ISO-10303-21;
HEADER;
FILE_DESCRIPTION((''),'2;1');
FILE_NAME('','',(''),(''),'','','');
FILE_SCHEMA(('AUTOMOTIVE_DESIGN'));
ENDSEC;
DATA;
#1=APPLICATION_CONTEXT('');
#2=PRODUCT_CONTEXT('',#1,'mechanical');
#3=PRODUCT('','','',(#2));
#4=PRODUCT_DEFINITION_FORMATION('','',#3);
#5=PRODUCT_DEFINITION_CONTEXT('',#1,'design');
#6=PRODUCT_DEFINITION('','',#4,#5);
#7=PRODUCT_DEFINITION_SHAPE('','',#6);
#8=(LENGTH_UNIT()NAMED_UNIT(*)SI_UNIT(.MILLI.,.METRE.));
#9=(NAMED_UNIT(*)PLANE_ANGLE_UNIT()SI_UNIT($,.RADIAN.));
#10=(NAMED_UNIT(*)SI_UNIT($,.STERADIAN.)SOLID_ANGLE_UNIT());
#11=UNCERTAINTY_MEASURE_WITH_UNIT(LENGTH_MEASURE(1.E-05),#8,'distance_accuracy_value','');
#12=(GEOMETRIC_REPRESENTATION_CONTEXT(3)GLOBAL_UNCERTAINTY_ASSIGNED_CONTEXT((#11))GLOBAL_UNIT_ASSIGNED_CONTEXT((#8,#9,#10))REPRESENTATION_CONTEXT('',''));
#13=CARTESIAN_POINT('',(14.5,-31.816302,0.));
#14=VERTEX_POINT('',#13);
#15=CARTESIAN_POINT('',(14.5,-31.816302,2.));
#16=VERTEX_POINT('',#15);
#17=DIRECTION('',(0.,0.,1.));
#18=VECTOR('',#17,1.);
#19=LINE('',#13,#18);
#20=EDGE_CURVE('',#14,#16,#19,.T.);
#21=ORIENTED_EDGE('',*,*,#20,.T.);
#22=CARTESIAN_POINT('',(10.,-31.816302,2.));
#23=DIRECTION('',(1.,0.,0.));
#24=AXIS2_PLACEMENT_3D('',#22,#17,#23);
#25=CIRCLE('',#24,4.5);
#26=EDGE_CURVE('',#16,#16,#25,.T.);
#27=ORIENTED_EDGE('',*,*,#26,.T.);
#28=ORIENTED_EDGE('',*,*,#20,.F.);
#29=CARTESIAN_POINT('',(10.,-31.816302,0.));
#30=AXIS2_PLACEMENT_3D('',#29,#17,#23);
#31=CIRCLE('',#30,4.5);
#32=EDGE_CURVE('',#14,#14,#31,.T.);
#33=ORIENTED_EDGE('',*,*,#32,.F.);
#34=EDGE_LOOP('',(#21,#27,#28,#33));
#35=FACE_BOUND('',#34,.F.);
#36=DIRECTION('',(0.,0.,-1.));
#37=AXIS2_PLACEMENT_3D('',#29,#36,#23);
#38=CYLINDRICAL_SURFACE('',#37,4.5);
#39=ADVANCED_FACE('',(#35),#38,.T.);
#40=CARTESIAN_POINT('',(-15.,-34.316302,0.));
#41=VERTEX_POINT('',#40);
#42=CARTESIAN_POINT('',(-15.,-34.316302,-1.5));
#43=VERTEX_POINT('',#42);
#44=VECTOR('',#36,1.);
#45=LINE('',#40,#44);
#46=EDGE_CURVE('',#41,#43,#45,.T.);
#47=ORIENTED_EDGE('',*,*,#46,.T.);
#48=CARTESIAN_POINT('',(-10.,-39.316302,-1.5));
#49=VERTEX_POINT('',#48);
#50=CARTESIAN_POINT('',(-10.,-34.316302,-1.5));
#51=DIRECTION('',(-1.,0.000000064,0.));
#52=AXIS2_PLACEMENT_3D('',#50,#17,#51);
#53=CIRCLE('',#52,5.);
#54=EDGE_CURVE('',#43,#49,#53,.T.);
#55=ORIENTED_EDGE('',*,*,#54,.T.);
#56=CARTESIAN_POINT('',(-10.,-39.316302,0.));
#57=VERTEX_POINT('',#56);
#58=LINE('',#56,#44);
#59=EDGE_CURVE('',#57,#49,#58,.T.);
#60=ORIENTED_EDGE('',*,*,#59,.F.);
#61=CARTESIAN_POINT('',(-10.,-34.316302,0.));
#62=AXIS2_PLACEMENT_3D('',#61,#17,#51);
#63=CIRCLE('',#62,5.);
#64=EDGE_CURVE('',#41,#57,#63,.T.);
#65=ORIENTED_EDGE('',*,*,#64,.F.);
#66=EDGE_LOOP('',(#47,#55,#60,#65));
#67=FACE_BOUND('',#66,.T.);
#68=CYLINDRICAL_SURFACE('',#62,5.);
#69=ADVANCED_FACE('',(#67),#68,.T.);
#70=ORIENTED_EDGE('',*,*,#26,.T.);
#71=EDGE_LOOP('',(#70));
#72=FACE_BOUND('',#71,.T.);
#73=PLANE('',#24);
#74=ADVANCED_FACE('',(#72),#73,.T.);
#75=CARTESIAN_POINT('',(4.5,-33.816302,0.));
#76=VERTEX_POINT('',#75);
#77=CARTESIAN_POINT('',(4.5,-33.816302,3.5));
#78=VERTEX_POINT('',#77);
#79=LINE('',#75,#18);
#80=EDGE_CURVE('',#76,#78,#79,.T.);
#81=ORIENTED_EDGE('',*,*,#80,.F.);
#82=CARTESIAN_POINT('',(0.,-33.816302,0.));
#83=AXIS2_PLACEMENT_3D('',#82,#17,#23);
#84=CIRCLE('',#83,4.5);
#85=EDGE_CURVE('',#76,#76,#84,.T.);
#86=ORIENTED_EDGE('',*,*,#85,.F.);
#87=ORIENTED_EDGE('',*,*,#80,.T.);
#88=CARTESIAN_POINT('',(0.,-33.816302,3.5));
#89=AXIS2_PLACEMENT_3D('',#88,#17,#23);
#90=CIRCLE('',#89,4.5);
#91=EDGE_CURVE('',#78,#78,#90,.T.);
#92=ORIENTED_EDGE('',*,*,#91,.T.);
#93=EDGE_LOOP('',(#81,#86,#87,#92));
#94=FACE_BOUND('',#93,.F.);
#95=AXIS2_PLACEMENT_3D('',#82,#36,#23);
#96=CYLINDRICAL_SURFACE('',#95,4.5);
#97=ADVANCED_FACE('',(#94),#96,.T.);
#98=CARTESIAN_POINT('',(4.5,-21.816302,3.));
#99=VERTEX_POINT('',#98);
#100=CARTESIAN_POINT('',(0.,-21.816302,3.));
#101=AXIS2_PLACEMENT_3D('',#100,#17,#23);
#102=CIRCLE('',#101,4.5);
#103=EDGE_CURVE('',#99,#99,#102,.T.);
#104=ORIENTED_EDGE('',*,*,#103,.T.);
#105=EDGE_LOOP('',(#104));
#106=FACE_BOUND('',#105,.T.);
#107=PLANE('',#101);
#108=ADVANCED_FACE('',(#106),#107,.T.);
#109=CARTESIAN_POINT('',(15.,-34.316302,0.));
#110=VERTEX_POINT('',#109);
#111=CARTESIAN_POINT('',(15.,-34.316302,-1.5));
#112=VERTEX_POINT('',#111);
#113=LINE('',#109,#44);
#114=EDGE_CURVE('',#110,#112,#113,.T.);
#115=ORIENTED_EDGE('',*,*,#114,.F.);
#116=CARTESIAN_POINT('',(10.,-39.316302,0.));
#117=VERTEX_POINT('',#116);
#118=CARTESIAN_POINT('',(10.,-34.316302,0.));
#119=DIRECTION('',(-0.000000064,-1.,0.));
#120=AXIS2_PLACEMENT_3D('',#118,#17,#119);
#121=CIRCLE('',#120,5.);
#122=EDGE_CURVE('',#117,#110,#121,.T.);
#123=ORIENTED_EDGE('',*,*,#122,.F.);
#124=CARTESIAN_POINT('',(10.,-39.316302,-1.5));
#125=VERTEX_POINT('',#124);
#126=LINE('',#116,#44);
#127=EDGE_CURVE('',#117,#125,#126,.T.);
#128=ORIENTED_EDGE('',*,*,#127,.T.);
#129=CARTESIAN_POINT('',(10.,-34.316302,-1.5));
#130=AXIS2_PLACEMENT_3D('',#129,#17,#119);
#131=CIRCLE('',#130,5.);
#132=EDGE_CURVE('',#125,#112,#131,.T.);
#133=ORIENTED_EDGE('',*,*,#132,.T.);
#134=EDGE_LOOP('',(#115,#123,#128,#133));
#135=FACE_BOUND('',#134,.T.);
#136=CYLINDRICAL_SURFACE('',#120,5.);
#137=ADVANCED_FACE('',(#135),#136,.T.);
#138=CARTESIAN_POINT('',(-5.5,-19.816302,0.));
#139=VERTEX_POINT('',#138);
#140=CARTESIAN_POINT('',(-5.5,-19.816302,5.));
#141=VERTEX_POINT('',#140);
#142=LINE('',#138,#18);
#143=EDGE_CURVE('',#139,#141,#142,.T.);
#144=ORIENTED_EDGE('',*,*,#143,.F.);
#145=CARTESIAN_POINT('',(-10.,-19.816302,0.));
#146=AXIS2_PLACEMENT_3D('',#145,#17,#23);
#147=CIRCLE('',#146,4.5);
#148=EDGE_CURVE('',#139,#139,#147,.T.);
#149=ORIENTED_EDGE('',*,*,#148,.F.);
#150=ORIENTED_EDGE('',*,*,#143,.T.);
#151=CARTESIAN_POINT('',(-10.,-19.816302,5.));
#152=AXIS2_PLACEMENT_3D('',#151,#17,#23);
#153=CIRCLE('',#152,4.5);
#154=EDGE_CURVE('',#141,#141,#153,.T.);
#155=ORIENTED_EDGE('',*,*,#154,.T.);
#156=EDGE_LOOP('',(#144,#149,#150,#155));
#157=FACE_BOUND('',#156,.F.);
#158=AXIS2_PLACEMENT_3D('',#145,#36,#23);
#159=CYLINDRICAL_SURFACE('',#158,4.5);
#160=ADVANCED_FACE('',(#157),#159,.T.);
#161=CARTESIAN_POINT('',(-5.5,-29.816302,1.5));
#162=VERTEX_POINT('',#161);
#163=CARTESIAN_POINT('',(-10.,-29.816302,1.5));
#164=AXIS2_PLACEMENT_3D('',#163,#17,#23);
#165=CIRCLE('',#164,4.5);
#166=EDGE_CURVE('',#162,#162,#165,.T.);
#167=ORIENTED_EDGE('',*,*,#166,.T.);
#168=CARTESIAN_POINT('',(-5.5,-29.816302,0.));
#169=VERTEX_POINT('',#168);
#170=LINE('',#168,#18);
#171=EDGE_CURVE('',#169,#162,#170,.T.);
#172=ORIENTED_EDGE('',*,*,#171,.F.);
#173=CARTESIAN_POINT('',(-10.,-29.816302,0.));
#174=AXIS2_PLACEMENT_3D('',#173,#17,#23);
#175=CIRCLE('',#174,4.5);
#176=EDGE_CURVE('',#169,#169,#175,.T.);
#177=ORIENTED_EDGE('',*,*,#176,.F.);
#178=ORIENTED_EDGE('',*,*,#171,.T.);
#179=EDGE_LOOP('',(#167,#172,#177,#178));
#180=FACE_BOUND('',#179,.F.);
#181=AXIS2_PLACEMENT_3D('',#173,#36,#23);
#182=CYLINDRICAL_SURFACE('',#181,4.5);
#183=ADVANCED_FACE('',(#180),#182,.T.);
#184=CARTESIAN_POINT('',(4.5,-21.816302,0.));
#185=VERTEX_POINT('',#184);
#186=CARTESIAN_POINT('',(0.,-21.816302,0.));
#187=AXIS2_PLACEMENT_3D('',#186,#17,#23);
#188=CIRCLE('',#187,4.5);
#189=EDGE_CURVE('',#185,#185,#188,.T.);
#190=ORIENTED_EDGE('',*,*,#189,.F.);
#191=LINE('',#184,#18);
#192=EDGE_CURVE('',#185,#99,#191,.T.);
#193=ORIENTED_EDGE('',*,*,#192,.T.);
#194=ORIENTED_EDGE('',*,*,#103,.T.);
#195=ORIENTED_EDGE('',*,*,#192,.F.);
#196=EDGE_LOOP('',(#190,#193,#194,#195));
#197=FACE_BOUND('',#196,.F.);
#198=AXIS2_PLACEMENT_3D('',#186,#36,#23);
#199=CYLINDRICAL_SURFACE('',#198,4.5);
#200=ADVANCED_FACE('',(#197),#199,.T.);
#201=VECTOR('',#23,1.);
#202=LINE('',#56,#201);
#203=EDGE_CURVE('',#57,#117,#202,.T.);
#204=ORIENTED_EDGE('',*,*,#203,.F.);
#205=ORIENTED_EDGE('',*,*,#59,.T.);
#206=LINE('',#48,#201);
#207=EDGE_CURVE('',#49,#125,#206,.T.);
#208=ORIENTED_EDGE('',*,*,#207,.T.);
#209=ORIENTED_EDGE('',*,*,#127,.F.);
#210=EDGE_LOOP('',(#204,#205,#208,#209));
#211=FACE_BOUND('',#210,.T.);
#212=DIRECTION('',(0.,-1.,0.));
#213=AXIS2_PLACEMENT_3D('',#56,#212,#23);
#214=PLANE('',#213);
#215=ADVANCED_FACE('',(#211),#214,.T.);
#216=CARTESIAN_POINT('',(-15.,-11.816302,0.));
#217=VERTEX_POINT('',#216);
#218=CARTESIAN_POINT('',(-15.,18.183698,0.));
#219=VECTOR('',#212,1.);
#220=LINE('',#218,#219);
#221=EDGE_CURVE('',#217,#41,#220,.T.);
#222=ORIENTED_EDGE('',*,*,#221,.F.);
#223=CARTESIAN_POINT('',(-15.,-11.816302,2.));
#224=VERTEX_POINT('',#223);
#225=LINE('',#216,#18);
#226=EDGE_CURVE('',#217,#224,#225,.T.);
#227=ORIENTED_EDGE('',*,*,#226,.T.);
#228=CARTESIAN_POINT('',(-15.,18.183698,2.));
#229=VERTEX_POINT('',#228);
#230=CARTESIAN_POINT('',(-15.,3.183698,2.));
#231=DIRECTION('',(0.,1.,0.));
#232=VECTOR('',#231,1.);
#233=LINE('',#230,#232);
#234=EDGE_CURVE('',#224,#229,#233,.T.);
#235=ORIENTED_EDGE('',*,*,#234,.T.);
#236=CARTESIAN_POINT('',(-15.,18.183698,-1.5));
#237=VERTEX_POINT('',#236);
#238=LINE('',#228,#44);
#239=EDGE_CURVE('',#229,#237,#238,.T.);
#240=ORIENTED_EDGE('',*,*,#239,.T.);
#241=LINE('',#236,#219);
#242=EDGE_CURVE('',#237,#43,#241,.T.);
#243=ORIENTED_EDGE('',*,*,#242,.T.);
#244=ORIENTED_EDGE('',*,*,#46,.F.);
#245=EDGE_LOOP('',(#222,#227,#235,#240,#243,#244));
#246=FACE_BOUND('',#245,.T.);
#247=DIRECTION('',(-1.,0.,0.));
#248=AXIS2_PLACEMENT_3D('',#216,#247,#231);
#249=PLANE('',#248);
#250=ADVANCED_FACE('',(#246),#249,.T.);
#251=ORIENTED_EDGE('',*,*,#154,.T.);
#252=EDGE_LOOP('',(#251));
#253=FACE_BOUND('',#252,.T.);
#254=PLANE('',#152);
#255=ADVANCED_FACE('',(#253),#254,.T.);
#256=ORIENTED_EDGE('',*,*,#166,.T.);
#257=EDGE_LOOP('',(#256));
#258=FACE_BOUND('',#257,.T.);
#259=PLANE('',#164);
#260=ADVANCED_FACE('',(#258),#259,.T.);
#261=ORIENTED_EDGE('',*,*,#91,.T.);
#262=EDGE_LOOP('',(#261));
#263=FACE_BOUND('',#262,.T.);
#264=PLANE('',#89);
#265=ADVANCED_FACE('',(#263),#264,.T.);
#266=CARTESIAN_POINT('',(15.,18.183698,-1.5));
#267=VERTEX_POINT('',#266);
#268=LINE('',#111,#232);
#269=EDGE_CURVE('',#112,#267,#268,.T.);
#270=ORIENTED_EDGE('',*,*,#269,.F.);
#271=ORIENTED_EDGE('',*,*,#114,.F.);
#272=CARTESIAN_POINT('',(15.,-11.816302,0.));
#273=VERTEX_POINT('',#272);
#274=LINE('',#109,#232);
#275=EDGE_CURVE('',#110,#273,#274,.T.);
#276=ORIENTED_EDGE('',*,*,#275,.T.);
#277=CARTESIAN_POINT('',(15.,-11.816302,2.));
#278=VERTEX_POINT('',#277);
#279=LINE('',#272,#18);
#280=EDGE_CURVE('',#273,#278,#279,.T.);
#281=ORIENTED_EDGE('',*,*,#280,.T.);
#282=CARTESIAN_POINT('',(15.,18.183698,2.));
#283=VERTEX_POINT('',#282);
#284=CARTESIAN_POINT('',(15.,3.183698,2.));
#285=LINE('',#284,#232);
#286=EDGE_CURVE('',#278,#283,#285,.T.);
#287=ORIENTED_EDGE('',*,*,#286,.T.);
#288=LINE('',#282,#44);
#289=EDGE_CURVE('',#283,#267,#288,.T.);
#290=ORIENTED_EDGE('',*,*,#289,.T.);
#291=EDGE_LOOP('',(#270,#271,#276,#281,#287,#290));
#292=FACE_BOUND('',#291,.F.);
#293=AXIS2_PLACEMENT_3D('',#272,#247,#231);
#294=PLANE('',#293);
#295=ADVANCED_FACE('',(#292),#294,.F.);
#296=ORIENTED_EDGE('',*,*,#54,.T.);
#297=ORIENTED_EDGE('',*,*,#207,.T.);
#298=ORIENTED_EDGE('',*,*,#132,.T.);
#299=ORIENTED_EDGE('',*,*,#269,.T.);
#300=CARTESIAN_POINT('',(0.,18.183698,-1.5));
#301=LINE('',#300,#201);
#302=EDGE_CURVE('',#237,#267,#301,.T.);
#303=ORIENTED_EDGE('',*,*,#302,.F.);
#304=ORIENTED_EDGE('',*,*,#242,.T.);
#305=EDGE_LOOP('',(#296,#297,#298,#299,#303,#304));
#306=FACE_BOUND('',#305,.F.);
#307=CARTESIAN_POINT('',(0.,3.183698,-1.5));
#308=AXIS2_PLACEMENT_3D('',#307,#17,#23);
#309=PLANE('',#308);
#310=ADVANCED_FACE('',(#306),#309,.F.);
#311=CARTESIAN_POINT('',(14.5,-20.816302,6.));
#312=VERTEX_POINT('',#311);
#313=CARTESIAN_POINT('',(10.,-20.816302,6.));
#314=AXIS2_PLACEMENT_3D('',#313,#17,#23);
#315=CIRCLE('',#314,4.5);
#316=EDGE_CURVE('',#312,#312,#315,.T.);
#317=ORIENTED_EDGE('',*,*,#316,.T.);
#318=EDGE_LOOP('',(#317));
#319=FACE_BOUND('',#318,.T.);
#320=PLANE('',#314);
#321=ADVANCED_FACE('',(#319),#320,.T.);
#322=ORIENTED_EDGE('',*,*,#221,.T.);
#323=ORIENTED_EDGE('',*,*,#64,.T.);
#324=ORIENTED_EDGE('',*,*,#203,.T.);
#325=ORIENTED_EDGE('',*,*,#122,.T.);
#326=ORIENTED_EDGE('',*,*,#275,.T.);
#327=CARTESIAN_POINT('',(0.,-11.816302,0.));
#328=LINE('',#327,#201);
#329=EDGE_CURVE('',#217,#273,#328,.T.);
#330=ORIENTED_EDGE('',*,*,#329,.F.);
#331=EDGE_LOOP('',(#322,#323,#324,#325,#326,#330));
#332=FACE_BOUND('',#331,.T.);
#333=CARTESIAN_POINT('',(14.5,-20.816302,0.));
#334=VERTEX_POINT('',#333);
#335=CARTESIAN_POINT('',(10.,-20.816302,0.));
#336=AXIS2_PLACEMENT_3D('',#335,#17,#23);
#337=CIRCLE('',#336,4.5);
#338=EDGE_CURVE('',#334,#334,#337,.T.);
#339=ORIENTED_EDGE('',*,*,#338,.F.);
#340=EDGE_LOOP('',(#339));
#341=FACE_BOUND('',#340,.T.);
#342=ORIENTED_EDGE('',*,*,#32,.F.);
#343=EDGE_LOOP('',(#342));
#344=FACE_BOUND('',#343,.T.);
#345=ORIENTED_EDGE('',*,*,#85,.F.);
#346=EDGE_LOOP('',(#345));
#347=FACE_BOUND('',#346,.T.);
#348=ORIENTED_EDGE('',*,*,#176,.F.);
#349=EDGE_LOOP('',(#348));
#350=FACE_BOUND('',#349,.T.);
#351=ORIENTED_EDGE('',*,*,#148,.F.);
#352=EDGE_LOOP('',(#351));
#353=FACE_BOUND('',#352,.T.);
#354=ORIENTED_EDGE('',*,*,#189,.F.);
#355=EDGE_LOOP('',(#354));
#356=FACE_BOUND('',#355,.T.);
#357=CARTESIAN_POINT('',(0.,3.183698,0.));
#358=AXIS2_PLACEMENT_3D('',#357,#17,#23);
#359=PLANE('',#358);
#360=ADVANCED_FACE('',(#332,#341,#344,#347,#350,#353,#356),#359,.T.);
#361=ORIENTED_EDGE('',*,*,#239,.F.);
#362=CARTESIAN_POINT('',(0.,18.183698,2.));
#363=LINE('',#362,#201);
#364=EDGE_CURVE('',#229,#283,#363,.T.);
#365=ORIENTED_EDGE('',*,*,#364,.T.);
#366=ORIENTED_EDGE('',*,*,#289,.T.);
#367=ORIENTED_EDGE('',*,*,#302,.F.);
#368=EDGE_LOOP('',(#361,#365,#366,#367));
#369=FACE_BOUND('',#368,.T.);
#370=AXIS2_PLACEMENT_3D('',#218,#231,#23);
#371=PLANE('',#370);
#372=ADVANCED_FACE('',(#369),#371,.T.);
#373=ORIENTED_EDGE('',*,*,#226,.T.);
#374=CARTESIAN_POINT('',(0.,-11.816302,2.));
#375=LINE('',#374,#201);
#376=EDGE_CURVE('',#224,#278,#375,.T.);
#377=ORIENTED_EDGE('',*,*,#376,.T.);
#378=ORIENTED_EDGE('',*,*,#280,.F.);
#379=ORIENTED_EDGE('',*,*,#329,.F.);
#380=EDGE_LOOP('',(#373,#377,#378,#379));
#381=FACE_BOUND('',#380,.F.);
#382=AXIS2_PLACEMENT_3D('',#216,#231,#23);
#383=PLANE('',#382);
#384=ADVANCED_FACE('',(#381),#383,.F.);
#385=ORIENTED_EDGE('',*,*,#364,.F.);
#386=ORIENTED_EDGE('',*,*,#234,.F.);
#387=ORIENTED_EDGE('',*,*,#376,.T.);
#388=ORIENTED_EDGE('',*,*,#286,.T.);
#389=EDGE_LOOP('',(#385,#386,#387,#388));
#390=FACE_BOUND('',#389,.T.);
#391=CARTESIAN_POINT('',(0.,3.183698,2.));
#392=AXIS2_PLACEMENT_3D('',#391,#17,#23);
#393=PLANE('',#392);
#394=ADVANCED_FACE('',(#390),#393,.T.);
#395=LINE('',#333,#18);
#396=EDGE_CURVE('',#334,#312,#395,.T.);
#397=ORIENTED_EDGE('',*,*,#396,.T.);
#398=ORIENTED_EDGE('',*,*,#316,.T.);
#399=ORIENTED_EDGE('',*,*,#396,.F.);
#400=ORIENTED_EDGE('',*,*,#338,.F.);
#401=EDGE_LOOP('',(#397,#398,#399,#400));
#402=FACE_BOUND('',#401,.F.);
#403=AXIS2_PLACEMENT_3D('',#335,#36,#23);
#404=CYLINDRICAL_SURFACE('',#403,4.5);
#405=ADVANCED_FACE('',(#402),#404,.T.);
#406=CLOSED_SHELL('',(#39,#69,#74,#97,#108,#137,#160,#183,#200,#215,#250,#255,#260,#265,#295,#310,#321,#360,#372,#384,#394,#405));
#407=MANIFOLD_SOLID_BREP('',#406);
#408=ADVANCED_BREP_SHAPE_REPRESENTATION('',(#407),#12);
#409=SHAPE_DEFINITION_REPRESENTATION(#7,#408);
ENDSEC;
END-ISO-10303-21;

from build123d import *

# Parameters (mm, degrees)
F0_W     = 30
F0_H     = 30
F0_R     = 4.5
F1_DEPTH = 1.5
F2_DEPTH = 2
F3_DEPTH = 5
F4_DEPTH = 3
F5_DEPTH = 6
F6_DEPTH = 2
F7_DEPTH = 3.5
F8_DEPTH = 1.5


with BuildPart() as f1:
    # F0 (on Top) → F1 (new body)
    with BuildSketch(Plane.XY):
        with Locations((0, 3.183698)):
            Rectangle(F0_W, F0_H)
        with BuildLine():
            Line((15, -11.816302), (-15, -11.816302))
            Line((-15, -11.816302), (-15, -34.316302))
            ThreePointArc((-15, -34.316302), (-13.535534, -37.851836), (-10, -39.316302))
            Line((-10, -39.316302), (10, -39.316302))
            ThreePointArc((10, -39.316302), (13.535534, -37.851836), (15, -34.316302))
            Line((15, -34.316302), (15, -11.816302))
        make_face()
        with Locations((-10, -29.816302)):
            Circle(F0_R, mode=Mode.SUBTRACT)
        with Locations((-10, -19.816302)):
            Circle(F0_R, mode=Mode.SUBTRACT)
        with Locations((0, -33.816302)):
            Circle(F0_R, mode=Mode.SUBTRACT)
        with Locations((10, -31.816302)):
            Circle(F0_R, mode=Mode.SUBTRACT)
        with Locations((0, -21.816302)):
            Circle(F0_R, mode=Mode.SUBTRACT)
        with Locations((10, -20.816302)):
            Circle(F0_R, mode=Mode.SUBTRACT)
        with Locations((-10, -19.816302)):
            Circle(F0_R)
        with Locations((0, -21.816302)):
            Circle(F0_R)
        with Locations((10, -20.816302)):
            Circle(F0_R)
        with Locations((10, -31.816302)):
            Circle(F0_R)
        with Locations((0, -33.816302)):
            Circle(F0_R)
        with Locations((-10, -29.816302)):
            Circle(F0_R)
    extrude(amount=-F1_DEPTH)

    # F0 (on Top) → F2 (join)
    with BuildSketch(Plane.XY):
        with Locations((0, 3.183698)):
            Rectangle(F0_W, F0_H)
    extrude(amount=F2_DEPTH)

    # F0 (on Top) → F3 (join)
    with BuildSketch(Plane.XY):
        with Locations((-10, -19.816302)):
            Circle(F0_R)
    extrude(amount=F3_DEPTH)

    # F0 (on Top) → F4 (join)
    with BuildSketch(Plane.XY):
        with Locations((0, -21.816302)):
            Circle(F0_R)
    extrude(amount=F4_DEPTH)

    # F0 (on Top) → F5 (join)
    with BuildSketch(Plane.XY):
        with Locations((10, -20.816302)):
            Circle(F0_R)
    extrude(amount=F5_DEPTH)

    # F0 (on Top) → F6 (join)
    with BuildSketch(Plane.XY):
        with Locations((10, -31.816302)):
            Circle(F0_R)
    extrude(amount=F6_DEPTH)

    # F0 (on Top) → F7 (join)
    with BuildSketch(Plane.XY):
        with Locations((0, -33.816302)):
            Circle(F0_R)
    extrude(amount=F7_DEPTH)

    # F0 (on Top) → F8 (join)
    with BuildSketch(Plane.XY):
        with Locations((-10, -29.816302)):
            Circle(F0_R)
    extrude(amount=F8_DEPTH)


solid = f1.part
